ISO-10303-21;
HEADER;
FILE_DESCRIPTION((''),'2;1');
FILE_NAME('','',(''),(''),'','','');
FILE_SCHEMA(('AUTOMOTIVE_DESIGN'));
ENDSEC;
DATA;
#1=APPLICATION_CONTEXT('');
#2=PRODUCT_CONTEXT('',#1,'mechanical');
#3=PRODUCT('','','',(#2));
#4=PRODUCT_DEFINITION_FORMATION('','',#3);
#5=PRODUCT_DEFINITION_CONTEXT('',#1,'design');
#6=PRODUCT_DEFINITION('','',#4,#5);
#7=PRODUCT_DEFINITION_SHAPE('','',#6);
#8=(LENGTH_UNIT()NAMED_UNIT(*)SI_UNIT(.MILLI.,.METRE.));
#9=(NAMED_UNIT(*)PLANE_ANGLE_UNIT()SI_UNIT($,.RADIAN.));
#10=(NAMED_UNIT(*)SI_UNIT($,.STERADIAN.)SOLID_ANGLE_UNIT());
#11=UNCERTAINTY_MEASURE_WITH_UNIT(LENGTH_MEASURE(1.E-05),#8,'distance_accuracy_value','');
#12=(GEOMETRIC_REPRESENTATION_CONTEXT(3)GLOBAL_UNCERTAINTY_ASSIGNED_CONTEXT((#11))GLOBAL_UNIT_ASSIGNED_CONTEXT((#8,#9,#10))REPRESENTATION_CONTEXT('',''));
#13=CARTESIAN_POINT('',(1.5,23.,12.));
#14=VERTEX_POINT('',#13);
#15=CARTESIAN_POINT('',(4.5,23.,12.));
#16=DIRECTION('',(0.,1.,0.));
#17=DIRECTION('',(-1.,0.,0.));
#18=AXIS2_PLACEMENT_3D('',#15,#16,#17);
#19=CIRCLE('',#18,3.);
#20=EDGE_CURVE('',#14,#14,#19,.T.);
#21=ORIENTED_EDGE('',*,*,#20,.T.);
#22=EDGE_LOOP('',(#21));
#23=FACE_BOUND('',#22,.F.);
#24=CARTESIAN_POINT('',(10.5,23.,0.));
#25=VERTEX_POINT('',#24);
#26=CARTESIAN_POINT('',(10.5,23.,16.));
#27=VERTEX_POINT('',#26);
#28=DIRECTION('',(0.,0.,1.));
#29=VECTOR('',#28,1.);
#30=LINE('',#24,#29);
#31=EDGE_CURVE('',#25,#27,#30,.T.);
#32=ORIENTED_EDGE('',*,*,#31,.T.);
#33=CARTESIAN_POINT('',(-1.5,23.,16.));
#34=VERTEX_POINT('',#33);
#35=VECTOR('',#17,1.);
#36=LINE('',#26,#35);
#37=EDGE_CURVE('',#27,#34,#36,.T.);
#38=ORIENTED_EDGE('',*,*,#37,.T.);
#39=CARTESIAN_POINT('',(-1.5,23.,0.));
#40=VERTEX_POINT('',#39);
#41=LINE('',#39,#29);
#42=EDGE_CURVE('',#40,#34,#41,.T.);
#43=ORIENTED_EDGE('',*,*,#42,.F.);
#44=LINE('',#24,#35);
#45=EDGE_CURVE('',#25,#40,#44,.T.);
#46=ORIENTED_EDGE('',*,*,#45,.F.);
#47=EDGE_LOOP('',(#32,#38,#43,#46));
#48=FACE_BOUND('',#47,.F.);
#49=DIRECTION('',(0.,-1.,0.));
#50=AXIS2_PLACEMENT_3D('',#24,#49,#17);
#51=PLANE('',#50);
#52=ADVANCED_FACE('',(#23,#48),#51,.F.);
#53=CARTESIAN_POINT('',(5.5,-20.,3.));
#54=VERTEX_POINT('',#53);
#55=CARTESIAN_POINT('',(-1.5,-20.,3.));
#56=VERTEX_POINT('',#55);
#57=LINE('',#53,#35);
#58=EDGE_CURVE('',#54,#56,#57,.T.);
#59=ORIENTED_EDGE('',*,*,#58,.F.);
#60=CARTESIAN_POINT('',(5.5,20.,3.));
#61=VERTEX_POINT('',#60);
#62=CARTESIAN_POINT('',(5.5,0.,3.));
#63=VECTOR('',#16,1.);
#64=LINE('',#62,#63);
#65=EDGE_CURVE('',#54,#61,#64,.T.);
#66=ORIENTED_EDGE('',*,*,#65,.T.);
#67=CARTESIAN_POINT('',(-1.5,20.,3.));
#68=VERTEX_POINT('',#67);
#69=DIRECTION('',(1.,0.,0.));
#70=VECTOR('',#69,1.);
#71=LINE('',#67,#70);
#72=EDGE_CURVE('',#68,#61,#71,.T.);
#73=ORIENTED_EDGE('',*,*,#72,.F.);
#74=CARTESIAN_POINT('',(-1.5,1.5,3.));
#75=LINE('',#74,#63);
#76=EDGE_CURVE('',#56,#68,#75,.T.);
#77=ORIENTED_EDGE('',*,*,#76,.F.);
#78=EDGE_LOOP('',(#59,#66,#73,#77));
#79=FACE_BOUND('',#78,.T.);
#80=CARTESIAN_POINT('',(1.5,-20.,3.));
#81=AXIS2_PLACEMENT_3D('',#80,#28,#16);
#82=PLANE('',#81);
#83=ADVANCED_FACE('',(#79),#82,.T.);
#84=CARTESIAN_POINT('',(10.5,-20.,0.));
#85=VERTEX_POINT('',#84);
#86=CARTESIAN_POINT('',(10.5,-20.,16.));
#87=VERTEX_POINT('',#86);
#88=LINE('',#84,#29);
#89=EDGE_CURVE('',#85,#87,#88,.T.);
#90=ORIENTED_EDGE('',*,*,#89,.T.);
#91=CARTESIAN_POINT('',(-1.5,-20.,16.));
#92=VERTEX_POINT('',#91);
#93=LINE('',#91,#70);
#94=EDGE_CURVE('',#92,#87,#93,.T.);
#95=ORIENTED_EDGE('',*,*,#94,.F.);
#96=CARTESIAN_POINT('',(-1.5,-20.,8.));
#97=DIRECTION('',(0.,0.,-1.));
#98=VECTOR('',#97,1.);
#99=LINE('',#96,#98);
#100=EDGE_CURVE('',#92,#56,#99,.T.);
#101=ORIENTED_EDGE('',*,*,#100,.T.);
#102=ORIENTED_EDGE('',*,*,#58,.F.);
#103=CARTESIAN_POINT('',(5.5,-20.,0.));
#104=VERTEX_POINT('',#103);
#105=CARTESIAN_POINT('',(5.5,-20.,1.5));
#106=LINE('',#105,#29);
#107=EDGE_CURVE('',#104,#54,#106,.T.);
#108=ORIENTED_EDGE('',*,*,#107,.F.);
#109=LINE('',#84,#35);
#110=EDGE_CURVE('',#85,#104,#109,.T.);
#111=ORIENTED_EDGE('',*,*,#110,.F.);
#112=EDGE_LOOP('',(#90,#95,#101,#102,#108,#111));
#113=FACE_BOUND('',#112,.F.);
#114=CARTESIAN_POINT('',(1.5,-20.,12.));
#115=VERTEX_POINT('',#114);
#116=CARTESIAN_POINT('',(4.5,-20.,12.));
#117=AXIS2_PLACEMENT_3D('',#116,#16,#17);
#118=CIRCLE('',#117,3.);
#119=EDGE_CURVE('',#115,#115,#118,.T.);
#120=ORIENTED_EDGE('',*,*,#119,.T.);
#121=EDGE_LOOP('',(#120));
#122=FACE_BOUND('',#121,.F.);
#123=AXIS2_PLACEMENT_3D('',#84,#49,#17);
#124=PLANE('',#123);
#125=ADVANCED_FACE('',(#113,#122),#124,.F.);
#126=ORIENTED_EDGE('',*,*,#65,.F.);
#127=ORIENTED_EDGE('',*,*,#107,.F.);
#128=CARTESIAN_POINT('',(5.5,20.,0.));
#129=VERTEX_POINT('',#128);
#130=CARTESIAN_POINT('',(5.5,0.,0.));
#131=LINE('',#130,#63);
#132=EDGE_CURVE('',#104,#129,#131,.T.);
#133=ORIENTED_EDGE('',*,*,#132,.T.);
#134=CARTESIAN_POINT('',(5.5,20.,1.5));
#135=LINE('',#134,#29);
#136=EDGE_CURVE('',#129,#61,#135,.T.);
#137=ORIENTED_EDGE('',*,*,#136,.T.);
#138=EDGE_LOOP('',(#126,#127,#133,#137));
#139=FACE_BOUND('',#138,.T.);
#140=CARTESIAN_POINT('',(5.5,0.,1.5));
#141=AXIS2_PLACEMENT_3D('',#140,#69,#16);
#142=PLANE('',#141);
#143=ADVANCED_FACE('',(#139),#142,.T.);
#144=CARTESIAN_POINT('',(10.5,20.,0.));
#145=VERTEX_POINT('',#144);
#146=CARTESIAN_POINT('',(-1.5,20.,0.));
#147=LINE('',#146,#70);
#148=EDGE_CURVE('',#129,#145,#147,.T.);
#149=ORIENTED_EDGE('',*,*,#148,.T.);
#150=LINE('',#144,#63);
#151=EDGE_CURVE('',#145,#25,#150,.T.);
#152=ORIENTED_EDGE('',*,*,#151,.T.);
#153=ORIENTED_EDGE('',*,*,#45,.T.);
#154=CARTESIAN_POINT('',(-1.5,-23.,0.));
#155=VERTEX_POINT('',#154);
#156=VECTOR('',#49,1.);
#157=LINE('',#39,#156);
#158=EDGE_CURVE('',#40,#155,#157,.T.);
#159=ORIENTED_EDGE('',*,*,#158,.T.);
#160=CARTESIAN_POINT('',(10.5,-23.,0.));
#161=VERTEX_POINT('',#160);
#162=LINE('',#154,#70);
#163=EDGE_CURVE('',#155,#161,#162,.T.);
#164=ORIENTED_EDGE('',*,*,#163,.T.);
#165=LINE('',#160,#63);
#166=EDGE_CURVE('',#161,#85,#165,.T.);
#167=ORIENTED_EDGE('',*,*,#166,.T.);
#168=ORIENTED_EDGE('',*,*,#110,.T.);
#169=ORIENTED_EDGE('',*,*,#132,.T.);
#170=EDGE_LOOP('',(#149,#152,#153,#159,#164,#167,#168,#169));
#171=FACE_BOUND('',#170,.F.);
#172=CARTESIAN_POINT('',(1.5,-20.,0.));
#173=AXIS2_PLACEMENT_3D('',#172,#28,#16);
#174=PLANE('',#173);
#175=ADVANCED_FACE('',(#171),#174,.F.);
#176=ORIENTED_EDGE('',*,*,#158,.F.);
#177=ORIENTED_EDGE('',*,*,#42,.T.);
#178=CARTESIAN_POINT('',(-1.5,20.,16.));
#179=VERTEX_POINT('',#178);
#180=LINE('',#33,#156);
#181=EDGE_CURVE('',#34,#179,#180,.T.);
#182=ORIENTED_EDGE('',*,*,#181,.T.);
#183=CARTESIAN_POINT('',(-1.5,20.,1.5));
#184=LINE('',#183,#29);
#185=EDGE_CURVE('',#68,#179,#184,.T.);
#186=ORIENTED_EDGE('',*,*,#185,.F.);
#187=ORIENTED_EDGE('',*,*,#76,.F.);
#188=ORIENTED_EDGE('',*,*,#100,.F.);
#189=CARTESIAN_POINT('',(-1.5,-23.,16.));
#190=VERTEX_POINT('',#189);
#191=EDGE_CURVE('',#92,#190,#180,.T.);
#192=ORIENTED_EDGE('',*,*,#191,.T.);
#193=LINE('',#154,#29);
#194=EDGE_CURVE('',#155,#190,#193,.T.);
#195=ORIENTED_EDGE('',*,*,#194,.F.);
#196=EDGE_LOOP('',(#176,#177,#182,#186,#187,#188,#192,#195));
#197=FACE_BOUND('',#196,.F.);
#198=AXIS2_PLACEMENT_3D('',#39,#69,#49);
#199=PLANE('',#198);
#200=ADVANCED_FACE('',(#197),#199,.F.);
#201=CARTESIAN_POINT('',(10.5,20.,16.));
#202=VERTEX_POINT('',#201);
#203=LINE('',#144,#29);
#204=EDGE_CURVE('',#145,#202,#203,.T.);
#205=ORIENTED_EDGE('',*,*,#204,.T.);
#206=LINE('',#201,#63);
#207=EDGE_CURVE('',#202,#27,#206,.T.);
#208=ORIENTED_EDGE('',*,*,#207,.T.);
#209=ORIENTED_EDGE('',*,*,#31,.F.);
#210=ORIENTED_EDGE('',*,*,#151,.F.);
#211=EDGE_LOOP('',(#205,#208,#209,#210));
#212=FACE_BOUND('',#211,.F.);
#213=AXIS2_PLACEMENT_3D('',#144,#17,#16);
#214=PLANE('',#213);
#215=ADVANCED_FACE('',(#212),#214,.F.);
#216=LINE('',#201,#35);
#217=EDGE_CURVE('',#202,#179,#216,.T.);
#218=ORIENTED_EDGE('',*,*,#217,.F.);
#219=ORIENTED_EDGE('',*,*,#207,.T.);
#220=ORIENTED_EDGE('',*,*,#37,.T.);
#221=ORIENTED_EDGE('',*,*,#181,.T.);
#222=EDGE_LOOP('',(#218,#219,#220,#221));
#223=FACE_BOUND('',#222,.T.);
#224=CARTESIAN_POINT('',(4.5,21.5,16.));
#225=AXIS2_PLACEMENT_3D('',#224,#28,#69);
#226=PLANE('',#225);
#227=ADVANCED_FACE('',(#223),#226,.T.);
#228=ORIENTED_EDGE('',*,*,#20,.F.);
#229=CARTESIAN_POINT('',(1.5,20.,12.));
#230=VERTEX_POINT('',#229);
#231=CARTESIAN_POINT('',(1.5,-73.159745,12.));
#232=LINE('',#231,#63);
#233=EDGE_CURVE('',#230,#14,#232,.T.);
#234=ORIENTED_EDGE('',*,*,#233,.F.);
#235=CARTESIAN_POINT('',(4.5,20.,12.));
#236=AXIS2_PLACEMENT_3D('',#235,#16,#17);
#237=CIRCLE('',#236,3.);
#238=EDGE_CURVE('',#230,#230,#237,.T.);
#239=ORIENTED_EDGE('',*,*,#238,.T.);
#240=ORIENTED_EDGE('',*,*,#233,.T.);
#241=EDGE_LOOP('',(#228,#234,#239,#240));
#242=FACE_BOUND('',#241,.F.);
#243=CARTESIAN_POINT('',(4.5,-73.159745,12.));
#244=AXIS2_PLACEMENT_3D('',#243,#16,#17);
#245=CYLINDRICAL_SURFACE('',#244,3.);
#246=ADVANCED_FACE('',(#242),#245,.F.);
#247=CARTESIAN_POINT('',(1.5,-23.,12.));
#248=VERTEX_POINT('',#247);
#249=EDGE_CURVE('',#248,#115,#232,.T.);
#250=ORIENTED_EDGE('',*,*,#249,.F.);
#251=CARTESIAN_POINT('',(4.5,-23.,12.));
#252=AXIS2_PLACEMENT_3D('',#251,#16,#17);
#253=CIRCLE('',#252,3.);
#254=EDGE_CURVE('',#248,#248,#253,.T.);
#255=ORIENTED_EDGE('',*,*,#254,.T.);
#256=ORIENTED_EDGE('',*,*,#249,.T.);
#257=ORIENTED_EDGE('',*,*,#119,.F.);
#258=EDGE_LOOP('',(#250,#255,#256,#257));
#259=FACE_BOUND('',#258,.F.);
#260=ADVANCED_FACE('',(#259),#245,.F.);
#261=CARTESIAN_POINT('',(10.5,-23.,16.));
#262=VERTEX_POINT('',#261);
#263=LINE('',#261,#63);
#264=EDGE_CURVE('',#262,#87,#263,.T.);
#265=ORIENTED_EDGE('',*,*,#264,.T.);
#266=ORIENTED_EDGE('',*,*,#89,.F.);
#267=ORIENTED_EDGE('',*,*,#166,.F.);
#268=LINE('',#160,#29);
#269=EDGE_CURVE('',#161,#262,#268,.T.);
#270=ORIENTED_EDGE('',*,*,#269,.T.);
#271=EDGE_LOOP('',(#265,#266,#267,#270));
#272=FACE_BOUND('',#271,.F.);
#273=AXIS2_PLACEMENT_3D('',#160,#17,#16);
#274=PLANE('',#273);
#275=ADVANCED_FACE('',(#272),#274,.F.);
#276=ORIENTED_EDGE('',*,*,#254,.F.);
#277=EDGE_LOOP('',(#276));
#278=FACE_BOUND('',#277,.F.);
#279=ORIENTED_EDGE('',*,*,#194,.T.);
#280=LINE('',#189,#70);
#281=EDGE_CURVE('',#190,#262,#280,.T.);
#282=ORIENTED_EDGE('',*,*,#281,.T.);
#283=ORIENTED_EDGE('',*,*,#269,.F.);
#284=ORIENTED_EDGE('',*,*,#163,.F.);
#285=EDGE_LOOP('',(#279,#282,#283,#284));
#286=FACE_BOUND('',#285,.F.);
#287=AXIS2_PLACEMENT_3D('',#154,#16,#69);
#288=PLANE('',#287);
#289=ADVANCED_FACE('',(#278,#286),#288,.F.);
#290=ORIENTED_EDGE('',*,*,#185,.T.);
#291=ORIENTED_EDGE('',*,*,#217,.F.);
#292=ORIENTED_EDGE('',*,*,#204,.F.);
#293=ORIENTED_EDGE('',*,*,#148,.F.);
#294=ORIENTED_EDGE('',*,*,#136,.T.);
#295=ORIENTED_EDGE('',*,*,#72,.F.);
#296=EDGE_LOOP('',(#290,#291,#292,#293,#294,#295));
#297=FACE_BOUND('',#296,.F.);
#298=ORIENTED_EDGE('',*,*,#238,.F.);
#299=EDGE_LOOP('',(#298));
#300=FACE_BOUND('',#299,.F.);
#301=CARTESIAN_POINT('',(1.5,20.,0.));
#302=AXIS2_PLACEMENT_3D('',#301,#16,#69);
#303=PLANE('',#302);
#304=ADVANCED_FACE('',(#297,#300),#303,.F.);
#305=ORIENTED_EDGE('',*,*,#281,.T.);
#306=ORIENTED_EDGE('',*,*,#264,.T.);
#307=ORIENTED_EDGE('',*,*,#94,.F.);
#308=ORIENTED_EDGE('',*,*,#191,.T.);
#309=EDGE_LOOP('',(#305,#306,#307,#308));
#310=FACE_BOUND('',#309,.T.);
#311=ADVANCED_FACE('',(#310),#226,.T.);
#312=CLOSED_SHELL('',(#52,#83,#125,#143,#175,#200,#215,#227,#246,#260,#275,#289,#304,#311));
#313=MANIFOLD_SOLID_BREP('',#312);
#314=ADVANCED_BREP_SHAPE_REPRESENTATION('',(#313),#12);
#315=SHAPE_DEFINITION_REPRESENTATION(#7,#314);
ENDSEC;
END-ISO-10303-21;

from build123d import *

# Parameters (mm, degrees)
F0_W     = 3
F0_H     = 40
F1_DEPTH = 16
F3_D     = 6
F4_W     = 40
F4_H     = 3
F5_DEPTH = 4
F7_DEPTH = 25


with BuildPart() as f1:
    # F0 (on Top) → F1 (new body)
    with BuildSketch(Plane.XY):
        Polygon((-1.5, 23), (-1.5, 20), (1.5, 20), (10.5, 20), (10.5, 23), align=None)
        Rectangle(F0_W, F0_H)
        Polygon((1.5, -20), (-1.5, -20), (-1.5, -23), (10.5, -23), (10.5, -20), align=None)
    extrude(amount=F1_DEPTH)

    # F3 (through all)
    with Locations(Plane.XZ.offset(23)):
        with Locations((4.5, 12)):
            Hole(F3_D / 2)

    # F4 (on face) → F5 (join)
    with BuildSketch(Plane.YZ.offset(1.5)):
        with Locations((0, 1.5)):
            Rectangle(F4_W, F4_H)
    extrude(amount=F5_DEPTH)

    # F6 (on face) → F7 (cut)
    with BuildSketch(Plane.YZ.offset(1.5)):
        Polygon((20, 16), (-20, 16), (-20, 12), (-20, 3), (20, 3), (20, 12), align=None)
    extrude(amount=-F7_DEPTH, mode=Mode.SUBTRACT)


solid = f1.part
